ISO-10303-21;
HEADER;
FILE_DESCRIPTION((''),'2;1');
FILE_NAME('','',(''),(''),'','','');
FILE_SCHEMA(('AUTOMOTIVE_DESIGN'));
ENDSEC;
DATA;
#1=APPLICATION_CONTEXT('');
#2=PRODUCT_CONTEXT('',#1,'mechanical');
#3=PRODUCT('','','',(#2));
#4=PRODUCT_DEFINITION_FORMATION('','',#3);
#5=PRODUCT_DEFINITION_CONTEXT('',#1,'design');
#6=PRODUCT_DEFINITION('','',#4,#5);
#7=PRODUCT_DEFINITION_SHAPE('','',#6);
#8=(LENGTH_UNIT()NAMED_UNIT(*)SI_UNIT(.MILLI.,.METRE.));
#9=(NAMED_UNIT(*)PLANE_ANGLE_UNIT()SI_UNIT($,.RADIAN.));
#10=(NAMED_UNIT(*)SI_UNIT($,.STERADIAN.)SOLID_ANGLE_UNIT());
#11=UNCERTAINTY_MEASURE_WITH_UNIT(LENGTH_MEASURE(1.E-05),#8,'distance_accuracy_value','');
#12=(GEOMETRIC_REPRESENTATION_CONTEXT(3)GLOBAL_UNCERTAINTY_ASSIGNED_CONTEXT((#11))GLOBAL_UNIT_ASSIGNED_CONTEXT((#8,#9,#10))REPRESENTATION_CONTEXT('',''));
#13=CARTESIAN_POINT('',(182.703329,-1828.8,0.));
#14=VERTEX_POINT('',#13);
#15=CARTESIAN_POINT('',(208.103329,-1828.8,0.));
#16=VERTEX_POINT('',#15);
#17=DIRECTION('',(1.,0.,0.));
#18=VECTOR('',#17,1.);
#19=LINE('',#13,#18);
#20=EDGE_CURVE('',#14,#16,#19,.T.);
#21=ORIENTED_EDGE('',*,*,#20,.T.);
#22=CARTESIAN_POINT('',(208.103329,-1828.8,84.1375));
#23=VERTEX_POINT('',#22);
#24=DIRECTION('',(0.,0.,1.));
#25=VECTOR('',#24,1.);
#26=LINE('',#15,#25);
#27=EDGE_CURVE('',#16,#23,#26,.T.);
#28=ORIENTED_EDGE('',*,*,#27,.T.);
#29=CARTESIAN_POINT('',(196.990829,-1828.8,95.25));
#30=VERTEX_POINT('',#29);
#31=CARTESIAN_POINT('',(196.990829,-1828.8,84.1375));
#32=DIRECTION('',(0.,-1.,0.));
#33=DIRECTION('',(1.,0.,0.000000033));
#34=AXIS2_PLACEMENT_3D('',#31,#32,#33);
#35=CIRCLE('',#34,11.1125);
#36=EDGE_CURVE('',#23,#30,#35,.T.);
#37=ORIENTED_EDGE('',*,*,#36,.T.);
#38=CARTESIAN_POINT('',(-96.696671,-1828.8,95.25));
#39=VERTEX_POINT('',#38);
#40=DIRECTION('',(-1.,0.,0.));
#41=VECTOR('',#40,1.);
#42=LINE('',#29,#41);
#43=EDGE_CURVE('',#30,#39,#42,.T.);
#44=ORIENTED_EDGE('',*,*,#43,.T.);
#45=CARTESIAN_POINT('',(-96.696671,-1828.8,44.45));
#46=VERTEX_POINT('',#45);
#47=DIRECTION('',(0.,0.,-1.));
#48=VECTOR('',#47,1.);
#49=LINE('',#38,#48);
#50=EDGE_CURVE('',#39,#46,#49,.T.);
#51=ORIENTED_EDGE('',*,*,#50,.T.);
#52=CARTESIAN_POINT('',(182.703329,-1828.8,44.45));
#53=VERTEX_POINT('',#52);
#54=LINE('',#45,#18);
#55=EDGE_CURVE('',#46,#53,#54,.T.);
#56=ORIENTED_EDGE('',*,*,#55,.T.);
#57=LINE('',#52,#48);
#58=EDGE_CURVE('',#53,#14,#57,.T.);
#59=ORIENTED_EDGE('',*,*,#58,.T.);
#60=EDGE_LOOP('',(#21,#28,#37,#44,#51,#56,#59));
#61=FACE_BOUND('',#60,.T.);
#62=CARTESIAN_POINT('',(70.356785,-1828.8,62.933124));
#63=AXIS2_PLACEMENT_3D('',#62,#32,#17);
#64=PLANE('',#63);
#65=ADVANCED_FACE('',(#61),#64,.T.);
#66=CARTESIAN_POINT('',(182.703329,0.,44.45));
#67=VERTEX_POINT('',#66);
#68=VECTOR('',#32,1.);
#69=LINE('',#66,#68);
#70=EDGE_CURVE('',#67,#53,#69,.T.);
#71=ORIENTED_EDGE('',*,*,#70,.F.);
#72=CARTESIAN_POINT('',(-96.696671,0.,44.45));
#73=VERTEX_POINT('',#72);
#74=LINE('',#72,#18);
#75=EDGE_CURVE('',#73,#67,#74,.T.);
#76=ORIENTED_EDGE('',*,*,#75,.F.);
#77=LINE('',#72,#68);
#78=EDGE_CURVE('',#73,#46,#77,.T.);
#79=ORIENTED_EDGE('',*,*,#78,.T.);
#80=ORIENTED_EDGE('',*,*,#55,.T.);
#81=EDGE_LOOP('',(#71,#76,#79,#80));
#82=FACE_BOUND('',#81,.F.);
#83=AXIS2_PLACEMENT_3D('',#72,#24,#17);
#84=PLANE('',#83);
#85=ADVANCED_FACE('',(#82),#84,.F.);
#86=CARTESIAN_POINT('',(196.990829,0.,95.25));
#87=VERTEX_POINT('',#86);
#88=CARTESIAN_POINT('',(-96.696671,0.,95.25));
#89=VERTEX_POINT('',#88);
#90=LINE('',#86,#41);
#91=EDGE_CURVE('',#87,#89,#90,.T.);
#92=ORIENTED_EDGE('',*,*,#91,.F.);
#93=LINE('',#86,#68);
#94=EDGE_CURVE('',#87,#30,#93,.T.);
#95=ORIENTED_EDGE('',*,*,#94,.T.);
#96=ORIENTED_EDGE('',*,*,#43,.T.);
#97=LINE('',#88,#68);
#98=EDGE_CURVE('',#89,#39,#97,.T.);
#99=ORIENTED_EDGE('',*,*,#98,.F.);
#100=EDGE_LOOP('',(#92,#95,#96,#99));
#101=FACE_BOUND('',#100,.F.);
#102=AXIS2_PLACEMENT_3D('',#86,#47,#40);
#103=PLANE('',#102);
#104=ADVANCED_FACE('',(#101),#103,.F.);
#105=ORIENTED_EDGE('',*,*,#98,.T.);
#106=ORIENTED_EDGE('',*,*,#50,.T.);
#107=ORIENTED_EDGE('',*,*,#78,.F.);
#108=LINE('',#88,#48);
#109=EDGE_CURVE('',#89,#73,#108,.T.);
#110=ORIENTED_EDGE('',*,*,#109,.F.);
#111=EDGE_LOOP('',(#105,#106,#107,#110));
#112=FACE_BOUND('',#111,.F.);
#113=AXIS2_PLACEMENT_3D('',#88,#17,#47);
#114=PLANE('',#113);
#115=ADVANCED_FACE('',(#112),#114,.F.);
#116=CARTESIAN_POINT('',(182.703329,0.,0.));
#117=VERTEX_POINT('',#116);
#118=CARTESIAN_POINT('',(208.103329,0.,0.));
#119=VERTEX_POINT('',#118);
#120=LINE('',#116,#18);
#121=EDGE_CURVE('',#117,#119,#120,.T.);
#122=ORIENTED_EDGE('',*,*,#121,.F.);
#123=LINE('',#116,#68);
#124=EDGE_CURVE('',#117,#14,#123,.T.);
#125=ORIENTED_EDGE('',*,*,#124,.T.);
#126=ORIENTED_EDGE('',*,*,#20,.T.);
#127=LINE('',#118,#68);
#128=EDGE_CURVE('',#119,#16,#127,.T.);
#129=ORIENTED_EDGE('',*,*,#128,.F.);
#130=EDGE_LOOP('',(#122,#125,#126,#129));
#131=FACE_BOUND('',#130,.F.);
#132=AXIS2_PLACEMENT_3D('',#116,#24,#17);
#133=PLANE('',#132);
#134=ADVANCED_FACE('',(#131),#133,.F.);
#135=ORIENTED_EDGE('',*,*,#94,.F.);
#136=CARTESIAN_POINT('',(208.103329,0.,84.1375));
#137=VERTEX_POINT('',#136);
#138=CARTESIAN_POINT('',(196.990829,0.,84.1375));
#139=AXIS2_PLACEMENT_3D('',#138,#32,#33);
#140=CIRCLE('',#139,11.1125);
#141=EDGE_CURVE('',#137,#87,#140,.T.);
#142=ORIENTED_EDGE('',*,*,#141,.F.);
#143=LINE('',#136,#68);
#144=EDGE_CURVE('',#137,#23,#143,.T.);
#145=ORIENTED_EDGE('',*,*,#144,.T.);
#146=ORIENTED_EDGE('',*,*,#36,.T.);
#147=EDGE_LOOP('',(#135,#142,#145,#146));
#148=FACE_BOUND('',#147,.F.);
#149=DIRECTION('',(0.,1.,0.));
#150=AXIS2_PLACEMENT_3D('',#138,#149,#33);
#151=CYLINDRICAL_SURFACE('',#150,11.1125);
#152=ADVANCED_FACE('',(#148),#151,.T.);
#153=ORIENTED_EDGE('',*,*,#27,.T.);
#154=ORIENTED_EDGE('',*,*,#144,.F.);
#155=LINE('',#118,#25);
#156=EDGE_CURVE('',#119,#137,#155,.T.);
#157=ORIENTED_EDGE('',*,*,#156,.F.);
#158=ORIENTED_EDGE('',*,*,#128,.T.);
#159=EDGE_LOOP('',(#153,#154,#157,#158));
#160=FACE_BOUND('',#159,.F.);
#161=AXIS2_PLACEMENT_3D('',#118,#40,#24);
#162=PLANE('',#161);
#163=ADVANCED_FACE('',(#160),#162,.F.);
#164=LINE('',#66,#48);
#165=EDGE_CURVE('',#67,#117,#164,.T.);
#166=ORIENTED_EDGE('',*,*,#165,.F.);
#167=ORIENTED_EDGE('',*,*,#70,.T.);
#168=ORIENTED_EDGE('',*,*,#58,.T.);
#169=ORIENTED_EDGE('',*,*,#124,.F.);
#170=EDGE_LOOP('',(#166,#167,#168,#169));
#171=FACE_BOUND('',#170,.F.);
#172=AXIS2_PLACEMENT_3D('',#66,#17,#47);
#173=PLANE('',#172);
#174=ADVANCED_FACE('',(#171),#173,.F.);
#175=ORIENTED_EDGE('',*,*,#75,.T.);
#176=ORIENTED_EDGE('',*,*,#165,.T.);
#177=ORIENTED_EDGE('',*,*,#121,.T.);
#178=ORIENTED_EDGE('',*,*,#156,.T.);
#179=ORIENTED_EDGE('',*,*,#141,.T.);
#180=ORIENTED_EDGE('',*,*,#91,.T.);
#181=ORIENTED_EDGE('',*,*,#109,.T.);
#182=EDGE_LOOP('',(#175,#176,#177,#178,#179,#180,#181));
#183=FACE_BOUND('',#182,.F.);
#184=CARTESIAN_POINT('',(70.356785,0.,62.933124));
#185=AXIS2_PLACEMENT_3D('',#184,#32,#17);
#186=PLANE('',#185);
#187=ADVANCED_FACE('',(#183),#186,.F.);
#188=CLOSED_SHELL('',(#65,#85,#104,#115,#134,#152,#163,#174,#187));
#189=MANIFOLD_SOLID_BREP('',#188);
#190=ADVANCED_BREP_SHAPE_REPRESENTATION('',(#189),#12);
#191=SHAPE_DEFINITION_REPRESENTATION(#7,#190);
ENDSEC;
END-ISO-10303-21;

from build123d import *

# Parameters (mm, degrees)
F1_DEPTH = 1828.8


with BuildPart() as f1:
    # F0 (on Front) → F1 (new body)
    with BuildSketch(Plane.XZ):
        with BuildLine():
            Line((196.990829, 95.25), (-96.696671, 95.25))
            Line((-96.696671, 95.25), (-96.696671, 44.45))
            Line((-96.696671, 44.45), (182.703329, 44.45))
            Line((182.703329, 44.45), (182.703329, 0))
            Line((182.703329, 0), (208.103329, 0))
            Line((208.103329, 0), (208.103329, 84.1375))
            ThreePointArc((208.103329, 84.1375), (204.848553, 91.995224), (196.990829, 95.25))
        make_face()
    extrude(amount=F1_DEPTH)


solid = f1.part
